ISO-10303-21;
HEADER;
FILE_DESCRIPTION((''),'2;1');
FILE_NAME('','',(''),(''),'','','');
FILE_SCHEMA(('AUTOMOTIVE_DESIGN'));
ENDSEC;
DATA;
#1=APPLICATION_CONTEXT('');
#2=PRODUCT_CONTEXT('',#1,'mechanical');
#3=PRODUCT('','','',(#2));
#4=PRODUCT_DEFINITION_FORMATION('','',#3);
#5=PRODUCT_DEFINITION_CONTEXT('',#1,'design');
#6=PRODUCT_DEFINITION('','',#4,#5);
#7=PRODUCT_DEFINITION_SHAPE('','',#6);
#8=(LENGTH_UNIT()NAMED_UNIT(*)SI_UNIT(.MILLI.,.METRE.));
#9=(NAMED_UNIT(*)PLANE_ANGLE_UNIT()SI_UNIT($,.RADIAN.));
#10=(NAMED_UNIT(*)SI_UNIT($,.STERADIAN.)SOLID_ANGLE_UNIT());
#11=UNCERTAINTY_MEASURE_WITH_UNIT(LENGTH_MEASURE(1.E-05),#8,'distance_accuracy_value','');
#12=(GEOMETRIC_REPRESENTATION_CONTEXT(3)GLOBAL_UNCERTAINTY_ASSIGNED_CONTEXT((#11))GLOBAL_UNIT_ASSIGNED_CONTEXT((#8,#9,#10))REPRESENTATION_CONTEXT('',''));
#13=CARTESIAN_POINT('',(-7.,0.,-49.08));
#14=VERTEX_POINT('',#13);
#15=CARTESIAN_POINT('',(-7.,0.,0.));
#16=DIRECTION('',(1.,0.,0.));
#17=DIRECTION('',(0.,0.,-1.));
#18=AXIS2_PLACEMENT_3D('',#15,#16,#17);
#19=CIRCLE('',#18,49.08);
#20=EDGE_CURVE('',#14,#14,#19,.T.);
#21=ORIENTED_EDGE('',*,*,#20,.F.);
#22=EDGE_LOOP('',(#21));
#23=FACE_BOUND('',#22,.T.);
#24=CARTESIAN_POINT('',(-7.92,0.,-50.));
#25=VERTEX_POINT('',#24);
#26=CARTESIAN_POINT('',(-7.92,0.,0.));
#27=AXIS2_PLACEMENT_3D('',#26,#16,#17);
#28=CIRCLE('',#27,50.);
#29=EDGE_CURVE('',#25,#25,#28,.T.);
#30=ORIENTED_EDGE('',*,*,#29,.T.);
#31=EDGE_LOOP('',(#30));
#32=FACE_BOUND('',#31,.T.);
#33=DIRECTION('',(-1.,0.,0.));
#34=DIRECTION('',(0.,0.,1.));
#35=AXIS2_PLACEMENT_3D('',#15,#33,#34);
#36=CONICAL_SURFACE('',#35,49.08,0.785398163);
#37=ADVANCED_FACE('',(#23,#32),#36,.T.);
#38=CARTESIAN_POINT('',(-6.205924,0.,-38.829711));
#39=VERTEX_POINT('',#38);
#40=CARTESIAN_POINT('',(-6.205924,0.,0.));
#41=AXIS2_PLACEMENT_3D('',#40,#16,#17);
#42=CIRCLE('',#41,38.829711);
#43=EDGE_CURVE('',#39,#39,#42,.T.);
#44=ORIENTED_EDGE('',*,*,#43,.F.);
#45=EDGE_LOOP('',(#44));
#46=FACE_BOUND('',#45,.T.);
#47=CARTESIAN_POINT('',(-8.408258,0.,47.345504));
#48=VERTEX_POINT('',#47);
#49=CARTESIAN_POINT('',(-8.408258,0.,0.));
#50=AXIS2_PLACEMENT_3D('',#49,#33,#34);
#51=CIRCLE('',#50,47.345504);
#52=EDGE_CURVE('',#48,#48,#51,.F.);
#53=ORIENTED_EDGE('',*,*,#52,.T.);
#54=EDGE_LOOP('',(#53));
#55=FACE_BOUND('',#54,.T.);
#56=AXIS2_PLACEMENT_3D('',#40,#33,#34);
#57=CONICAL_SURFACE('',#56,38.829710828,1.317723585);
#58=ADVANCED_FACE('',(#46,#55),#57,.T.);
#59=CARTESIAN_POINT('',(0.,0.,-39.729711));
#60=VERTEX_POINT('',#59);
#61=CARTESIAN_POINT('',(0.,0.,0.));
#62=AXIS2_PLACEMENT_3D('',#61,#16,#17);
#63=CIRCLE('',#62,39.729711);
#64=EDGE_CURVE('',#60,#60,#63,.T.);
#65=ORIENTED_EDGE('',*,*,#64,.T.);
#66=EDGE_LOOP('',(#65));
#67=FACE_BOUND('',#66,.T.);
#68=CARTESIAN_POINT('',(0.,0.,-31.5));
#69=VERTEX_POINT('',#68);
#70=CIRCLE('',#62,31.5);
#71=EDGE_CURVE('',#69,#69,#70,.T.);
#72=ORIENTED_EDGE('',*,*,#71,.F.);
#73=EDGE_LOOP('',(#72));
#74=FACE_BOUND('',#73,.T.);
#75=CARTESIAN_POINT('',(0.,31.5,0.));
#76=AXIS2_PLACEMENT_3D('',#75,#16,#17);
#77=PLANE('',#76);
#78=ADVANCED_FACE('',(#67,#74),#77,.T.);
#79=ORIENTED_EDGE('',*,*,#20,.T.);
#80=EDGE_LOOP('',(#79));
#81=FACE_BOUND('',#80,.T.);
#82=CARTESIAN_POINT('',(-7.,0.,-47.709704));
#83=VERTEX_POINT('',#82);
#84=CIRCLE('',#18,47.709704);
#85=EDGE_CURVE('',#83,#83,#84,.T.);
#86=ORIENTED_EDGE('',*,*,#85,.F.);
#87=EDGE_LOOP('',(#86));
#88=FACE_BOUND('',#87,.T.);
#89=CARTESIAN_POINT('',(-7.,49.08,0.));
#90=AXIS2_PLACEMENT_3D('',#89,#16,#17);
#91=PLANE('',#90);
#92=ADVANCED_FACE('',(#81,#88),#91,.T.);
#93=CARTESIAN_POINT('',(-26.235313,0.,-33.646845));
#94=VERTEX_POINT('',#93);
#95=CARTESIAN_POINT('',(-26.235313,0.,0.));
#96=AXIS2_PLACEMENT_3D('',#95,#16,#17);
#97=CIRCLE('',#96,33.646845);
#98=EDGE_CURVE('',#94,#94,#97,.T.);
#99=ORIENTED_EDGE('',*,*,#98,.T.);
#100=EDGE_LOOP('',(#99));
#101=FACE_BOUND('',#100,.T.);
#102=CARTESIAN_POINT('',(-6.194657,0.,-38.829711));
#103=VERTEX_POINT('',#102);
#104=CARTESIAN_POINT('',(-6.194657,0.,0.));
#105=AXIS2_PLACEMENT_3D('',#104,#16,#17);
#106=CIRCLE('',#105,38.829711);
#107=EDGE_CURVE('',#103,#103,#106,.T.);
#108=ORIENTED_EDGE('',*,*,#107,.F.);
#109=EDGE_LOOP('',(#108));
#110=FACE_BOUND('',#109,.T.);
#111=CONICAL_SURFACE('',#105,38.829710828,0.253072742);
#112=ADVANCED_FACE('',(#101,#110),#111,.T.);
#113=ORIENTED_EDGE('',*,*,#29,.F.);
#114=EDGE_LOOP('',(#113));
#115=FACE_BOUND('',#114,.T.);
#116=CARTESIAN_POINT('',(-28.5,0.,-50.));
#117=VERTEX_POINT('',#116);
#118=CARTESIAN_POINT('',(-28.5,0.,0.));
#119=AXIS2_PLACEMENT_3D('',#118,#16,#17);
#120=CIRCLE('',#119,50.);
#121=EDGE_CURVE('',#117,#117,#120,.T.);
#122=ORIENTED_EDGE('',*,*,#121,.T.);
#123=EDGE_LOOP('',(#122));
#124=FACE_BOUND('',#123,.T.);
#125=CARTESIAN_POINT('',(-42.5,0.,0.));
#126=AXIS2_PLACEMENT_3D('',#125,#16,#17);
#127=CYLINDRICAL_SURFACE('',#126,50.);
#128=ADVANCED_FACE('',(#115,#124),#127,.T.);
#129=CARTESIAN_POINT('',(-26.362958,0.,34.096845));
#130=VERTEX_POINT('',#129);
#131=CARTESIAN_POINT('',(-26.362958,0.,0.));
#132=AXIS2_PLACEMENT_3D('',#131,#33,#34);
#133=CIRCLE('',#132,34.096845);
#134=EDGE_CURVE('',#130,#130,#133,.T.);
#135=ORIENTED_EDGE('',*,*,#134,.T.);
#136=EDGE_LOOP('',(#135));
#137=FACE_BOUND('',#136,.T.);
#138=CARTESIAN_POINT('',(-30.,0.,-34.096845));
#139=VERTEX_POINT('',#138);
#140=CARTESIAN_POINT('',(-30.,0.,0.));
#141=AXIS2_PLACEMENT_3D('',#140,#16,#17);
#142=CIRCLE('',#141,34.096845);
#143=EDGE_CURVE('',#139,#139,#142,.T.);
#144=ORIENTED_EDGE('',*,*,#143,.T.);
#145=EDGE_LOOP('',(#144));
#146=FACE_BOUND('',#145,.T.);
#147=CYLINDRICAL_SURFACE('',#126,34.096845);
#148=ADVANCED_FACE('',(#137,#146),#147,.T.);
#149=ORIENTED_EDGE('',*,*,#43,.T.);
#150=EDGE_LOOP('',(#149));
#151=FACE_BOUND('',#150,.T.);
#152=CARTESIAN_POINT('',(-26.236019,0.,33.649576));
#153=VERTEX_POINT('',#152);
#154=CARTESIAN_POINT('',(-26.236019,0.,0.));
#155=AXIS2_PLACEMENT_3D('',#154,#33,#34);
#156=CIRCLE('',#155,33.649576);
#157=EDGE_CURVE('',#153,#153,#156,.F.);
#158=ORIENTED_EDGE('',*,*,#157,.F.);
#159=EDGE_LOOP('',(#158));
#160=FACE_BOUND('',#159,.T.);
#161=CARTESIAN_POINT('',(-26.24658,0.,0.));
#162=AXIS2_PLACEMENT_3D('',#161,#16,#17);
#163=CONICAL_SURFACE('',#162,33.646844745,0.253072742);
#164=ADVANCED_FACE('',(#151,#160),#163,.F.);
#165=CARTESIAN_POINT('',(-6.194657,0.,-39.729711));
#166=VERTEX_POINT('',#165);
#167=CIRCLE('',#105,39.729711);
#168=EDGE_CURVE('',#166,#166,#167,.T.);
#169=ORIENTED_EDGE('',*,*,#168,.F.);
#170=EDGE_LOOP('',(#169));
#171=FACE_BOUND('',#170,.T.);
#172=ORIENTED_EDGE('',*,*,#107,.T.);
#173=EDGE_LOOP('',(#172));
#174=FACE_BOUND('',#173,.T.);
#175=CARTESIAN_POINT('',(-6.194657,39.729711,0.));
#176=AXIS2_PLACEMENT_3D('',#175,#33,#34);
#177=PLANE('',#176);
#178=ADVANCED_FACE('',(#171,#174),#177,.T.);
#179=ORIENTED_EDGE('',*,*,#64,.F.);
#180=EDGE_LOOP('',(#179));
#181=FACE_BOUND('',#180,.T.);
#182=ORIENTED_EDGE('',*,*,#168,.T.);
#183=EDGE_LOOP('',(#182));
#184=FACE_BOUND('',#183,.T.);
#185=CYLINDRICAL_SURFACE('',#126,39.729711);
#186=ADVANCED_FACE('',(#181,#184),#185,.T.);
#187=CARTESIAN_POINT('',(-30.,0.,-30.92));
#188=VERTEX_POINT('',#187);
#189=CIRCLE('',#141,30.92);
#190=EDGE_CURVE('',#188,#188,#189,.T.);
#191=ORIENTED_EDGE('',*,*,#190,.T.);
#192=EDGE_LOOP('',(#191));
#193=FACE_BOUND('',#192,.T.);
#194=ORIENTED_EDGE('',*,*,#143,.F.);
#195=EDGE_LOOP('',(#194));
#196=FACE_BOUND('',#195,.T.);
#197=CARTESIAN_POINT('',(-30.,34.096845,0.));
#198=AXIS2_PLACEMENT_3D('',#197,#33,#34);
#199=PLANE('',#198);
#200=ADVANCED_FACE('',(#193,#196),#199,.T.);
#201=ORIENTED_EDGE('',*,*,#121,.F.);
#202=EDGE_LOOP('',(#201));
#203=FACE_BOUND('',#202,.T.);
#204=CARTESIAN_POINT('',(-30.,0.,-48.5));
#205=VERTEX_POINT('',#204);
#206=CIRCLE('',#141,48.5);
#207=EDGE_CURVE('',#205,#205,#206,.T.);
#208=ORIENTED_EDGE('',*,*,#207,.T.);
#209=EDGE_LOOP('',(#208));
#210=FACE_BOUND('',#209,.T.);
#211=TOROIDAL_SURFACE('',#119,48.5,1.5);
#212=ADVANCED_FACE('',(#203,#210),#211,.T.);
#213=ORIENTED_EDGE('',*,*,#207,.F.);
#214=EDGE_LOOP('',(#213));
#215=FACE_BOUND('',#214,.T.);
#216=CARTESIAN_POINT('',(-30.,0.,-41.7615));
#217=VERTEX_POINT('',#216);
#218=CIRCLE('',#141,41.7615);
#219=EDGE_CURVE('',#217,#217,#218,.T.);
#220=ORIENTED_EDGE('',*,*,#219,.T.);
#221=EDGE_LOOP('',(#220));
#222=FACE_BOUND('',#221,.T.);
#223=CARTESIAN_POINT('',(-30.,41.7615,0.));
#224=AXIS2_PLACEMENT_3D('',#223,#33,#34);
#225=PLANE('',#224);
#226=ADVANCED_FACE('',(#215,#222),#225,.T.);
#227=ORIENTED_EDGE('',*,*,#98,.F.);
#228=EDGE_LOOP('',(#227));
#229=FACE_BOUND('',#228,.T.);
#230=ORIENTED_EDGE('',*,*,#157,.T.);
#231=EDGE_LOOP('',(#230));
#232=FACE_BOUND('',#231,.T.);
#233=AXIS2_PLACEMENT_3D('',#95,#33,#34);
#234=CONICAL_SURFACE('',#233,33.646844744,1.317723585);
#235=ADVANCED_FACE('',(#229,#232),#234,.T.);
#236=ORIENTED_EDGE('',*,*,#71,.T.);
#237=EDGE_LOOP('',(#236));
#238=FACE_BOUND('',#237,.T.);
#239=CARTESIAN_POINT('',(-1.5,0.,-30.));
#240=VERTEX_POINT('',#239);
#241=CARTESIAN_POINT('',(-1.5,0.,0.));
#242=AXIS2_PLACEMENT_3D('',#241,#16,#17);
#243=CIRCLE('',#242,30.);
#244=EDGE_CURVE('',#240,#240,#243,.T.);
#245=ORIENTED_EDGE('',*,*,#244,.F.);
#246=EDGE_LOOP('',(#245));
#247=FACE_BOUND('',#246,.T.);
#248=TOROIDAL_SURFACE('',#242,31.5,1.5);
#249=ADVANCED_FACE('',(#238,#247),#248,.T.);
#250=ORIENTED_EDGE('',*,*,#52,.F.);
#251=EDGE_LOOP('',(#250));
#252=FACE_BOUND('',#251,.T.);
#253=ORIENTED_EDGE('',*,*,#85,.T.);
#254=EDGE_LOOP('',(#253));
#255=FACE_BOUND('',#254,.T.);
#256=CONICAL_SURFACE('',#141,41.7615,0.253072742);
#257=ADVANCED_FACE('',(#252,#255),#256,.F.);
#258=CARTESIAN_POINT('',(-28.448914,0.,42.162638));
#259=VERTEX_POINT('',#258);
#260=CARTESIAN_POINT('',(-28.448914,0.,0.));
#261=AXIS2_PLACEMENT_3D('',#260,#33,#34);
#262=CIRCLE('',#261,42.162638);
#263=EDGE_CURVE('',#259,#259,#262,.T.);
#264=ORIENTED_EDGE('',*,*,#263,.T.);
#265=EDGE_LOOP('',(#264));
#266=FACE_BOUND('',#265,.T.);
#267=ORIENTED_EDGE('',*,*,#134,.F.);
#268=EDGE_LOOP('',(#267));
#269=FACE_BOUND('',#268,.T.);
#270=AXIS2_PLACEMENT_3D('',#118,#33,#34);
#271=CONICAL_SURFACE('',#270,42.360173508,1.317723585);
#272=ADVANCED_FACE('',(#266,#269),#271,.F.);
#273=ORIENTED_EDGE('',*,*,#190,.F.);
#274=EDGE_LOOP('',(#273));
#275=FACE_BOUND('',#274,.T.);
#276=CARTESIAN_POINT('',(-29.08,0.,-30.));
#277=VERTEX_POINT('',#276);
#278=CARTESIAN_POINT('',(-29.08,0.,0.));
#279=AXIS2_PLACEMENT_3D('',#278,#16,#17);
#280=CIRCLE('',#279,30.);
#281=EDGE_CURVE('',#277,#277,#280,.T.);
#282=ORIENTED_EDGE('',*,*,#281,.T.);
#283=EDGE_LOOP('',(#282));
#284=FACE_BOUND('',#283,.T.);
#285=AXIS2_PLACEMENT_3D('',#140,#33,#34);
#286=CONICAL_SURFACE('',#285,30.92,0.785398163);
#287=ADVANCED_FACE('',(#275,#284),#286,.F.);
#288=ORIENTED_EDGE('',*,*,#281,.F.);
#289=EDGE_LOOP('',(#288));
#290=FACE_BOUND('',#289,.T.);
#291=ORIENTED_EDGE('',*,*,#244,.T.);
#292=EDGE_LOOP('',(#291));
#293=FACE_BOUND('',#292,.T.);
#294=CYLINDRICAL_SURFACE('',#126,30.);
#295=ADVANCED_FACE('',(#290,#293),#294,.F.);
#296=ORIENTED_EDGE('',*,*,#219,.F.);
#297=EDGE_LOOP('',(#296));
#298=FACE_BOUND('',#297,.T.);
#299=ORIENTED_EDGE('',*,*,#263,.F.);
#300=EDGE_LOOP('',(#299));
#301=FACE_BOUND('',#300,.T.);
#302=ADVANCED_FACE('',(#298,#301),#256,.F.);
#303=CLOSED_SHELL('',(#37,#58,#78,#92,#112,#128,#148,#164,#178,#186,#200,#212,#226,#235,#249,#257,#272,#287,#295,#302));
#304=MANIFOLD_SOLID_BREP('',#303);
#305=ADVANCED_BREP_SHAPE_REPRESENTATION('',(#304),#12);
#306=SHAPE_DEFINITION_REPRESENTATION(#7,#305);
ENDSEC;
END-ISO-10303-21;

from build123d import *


with BuildPart() as part:
    # OutRacSke → OuterRace (revolve)
    with BuildSketch(Plane.XY):
        with BuildLine():
            Line((-7, 47.70970444), (-30, 41.7615))
            Line((-30, 41.7615), (-30, 48.5))
            ThreePointArc((-30, 48.5), (-29.560660172, 49.560660172), (-28.5, 50))
            Line((-28.5, 50), (-7.92, 50))
            Line((-7.92, 50), (-7, 49.08))
            Line((-7, 49.08), (-7, 47.70970444))
        make_face()
    revolve(axis=Axis((-42.5, 0, 0), (1, 0, 0)))

    # RolSimSke → RollersSimplified (revolve)
    with BuildSketch(Plane.XY):
        Polygon((-28.5, 42.360173508), (-8.459343844, 47.543039592), (-6.205923808, 38.829710828), (-26.246579964, 33.646844745), align=None)
    revolve(axis=Axis((0, 0, 0), (-1, 0, 0)))

    # InsRacSke → InnerRace (revolve)
    with BuildSketch(Plane.XY):
        with BuildLine():
            Line((-26.351690779, 34.096844744), (-30, 34.096844744))
            Line((-30, 34.096844744), (-30, 30.92))
            Line((-30, 30.92), (-29.08, 30))
            Line((-29.08, 30), (-1.5, 30))
            ThreePointArc((-1.5, 30), (-0.439339828, 30.439339828), (0, 31.5))
            Line((0, 31.5), (0, 39.729710828))
            Line((0, 39.729710828), (-6.19465671, 39.729710828))
            Line((-6.19465671, 39.729710828), (-6.19465671, 38.829710828))
            Line((-6.19465671, 38.829710828), (-26.235312866, 33.646844744))
            Line((-26.235312866, 33.646844744), (-26.351690779, 34.096844744))
        make_face()
    revolve(axis=Axis((-42.5, 0, 0), (1, 0, 0)))


solid = part.part
